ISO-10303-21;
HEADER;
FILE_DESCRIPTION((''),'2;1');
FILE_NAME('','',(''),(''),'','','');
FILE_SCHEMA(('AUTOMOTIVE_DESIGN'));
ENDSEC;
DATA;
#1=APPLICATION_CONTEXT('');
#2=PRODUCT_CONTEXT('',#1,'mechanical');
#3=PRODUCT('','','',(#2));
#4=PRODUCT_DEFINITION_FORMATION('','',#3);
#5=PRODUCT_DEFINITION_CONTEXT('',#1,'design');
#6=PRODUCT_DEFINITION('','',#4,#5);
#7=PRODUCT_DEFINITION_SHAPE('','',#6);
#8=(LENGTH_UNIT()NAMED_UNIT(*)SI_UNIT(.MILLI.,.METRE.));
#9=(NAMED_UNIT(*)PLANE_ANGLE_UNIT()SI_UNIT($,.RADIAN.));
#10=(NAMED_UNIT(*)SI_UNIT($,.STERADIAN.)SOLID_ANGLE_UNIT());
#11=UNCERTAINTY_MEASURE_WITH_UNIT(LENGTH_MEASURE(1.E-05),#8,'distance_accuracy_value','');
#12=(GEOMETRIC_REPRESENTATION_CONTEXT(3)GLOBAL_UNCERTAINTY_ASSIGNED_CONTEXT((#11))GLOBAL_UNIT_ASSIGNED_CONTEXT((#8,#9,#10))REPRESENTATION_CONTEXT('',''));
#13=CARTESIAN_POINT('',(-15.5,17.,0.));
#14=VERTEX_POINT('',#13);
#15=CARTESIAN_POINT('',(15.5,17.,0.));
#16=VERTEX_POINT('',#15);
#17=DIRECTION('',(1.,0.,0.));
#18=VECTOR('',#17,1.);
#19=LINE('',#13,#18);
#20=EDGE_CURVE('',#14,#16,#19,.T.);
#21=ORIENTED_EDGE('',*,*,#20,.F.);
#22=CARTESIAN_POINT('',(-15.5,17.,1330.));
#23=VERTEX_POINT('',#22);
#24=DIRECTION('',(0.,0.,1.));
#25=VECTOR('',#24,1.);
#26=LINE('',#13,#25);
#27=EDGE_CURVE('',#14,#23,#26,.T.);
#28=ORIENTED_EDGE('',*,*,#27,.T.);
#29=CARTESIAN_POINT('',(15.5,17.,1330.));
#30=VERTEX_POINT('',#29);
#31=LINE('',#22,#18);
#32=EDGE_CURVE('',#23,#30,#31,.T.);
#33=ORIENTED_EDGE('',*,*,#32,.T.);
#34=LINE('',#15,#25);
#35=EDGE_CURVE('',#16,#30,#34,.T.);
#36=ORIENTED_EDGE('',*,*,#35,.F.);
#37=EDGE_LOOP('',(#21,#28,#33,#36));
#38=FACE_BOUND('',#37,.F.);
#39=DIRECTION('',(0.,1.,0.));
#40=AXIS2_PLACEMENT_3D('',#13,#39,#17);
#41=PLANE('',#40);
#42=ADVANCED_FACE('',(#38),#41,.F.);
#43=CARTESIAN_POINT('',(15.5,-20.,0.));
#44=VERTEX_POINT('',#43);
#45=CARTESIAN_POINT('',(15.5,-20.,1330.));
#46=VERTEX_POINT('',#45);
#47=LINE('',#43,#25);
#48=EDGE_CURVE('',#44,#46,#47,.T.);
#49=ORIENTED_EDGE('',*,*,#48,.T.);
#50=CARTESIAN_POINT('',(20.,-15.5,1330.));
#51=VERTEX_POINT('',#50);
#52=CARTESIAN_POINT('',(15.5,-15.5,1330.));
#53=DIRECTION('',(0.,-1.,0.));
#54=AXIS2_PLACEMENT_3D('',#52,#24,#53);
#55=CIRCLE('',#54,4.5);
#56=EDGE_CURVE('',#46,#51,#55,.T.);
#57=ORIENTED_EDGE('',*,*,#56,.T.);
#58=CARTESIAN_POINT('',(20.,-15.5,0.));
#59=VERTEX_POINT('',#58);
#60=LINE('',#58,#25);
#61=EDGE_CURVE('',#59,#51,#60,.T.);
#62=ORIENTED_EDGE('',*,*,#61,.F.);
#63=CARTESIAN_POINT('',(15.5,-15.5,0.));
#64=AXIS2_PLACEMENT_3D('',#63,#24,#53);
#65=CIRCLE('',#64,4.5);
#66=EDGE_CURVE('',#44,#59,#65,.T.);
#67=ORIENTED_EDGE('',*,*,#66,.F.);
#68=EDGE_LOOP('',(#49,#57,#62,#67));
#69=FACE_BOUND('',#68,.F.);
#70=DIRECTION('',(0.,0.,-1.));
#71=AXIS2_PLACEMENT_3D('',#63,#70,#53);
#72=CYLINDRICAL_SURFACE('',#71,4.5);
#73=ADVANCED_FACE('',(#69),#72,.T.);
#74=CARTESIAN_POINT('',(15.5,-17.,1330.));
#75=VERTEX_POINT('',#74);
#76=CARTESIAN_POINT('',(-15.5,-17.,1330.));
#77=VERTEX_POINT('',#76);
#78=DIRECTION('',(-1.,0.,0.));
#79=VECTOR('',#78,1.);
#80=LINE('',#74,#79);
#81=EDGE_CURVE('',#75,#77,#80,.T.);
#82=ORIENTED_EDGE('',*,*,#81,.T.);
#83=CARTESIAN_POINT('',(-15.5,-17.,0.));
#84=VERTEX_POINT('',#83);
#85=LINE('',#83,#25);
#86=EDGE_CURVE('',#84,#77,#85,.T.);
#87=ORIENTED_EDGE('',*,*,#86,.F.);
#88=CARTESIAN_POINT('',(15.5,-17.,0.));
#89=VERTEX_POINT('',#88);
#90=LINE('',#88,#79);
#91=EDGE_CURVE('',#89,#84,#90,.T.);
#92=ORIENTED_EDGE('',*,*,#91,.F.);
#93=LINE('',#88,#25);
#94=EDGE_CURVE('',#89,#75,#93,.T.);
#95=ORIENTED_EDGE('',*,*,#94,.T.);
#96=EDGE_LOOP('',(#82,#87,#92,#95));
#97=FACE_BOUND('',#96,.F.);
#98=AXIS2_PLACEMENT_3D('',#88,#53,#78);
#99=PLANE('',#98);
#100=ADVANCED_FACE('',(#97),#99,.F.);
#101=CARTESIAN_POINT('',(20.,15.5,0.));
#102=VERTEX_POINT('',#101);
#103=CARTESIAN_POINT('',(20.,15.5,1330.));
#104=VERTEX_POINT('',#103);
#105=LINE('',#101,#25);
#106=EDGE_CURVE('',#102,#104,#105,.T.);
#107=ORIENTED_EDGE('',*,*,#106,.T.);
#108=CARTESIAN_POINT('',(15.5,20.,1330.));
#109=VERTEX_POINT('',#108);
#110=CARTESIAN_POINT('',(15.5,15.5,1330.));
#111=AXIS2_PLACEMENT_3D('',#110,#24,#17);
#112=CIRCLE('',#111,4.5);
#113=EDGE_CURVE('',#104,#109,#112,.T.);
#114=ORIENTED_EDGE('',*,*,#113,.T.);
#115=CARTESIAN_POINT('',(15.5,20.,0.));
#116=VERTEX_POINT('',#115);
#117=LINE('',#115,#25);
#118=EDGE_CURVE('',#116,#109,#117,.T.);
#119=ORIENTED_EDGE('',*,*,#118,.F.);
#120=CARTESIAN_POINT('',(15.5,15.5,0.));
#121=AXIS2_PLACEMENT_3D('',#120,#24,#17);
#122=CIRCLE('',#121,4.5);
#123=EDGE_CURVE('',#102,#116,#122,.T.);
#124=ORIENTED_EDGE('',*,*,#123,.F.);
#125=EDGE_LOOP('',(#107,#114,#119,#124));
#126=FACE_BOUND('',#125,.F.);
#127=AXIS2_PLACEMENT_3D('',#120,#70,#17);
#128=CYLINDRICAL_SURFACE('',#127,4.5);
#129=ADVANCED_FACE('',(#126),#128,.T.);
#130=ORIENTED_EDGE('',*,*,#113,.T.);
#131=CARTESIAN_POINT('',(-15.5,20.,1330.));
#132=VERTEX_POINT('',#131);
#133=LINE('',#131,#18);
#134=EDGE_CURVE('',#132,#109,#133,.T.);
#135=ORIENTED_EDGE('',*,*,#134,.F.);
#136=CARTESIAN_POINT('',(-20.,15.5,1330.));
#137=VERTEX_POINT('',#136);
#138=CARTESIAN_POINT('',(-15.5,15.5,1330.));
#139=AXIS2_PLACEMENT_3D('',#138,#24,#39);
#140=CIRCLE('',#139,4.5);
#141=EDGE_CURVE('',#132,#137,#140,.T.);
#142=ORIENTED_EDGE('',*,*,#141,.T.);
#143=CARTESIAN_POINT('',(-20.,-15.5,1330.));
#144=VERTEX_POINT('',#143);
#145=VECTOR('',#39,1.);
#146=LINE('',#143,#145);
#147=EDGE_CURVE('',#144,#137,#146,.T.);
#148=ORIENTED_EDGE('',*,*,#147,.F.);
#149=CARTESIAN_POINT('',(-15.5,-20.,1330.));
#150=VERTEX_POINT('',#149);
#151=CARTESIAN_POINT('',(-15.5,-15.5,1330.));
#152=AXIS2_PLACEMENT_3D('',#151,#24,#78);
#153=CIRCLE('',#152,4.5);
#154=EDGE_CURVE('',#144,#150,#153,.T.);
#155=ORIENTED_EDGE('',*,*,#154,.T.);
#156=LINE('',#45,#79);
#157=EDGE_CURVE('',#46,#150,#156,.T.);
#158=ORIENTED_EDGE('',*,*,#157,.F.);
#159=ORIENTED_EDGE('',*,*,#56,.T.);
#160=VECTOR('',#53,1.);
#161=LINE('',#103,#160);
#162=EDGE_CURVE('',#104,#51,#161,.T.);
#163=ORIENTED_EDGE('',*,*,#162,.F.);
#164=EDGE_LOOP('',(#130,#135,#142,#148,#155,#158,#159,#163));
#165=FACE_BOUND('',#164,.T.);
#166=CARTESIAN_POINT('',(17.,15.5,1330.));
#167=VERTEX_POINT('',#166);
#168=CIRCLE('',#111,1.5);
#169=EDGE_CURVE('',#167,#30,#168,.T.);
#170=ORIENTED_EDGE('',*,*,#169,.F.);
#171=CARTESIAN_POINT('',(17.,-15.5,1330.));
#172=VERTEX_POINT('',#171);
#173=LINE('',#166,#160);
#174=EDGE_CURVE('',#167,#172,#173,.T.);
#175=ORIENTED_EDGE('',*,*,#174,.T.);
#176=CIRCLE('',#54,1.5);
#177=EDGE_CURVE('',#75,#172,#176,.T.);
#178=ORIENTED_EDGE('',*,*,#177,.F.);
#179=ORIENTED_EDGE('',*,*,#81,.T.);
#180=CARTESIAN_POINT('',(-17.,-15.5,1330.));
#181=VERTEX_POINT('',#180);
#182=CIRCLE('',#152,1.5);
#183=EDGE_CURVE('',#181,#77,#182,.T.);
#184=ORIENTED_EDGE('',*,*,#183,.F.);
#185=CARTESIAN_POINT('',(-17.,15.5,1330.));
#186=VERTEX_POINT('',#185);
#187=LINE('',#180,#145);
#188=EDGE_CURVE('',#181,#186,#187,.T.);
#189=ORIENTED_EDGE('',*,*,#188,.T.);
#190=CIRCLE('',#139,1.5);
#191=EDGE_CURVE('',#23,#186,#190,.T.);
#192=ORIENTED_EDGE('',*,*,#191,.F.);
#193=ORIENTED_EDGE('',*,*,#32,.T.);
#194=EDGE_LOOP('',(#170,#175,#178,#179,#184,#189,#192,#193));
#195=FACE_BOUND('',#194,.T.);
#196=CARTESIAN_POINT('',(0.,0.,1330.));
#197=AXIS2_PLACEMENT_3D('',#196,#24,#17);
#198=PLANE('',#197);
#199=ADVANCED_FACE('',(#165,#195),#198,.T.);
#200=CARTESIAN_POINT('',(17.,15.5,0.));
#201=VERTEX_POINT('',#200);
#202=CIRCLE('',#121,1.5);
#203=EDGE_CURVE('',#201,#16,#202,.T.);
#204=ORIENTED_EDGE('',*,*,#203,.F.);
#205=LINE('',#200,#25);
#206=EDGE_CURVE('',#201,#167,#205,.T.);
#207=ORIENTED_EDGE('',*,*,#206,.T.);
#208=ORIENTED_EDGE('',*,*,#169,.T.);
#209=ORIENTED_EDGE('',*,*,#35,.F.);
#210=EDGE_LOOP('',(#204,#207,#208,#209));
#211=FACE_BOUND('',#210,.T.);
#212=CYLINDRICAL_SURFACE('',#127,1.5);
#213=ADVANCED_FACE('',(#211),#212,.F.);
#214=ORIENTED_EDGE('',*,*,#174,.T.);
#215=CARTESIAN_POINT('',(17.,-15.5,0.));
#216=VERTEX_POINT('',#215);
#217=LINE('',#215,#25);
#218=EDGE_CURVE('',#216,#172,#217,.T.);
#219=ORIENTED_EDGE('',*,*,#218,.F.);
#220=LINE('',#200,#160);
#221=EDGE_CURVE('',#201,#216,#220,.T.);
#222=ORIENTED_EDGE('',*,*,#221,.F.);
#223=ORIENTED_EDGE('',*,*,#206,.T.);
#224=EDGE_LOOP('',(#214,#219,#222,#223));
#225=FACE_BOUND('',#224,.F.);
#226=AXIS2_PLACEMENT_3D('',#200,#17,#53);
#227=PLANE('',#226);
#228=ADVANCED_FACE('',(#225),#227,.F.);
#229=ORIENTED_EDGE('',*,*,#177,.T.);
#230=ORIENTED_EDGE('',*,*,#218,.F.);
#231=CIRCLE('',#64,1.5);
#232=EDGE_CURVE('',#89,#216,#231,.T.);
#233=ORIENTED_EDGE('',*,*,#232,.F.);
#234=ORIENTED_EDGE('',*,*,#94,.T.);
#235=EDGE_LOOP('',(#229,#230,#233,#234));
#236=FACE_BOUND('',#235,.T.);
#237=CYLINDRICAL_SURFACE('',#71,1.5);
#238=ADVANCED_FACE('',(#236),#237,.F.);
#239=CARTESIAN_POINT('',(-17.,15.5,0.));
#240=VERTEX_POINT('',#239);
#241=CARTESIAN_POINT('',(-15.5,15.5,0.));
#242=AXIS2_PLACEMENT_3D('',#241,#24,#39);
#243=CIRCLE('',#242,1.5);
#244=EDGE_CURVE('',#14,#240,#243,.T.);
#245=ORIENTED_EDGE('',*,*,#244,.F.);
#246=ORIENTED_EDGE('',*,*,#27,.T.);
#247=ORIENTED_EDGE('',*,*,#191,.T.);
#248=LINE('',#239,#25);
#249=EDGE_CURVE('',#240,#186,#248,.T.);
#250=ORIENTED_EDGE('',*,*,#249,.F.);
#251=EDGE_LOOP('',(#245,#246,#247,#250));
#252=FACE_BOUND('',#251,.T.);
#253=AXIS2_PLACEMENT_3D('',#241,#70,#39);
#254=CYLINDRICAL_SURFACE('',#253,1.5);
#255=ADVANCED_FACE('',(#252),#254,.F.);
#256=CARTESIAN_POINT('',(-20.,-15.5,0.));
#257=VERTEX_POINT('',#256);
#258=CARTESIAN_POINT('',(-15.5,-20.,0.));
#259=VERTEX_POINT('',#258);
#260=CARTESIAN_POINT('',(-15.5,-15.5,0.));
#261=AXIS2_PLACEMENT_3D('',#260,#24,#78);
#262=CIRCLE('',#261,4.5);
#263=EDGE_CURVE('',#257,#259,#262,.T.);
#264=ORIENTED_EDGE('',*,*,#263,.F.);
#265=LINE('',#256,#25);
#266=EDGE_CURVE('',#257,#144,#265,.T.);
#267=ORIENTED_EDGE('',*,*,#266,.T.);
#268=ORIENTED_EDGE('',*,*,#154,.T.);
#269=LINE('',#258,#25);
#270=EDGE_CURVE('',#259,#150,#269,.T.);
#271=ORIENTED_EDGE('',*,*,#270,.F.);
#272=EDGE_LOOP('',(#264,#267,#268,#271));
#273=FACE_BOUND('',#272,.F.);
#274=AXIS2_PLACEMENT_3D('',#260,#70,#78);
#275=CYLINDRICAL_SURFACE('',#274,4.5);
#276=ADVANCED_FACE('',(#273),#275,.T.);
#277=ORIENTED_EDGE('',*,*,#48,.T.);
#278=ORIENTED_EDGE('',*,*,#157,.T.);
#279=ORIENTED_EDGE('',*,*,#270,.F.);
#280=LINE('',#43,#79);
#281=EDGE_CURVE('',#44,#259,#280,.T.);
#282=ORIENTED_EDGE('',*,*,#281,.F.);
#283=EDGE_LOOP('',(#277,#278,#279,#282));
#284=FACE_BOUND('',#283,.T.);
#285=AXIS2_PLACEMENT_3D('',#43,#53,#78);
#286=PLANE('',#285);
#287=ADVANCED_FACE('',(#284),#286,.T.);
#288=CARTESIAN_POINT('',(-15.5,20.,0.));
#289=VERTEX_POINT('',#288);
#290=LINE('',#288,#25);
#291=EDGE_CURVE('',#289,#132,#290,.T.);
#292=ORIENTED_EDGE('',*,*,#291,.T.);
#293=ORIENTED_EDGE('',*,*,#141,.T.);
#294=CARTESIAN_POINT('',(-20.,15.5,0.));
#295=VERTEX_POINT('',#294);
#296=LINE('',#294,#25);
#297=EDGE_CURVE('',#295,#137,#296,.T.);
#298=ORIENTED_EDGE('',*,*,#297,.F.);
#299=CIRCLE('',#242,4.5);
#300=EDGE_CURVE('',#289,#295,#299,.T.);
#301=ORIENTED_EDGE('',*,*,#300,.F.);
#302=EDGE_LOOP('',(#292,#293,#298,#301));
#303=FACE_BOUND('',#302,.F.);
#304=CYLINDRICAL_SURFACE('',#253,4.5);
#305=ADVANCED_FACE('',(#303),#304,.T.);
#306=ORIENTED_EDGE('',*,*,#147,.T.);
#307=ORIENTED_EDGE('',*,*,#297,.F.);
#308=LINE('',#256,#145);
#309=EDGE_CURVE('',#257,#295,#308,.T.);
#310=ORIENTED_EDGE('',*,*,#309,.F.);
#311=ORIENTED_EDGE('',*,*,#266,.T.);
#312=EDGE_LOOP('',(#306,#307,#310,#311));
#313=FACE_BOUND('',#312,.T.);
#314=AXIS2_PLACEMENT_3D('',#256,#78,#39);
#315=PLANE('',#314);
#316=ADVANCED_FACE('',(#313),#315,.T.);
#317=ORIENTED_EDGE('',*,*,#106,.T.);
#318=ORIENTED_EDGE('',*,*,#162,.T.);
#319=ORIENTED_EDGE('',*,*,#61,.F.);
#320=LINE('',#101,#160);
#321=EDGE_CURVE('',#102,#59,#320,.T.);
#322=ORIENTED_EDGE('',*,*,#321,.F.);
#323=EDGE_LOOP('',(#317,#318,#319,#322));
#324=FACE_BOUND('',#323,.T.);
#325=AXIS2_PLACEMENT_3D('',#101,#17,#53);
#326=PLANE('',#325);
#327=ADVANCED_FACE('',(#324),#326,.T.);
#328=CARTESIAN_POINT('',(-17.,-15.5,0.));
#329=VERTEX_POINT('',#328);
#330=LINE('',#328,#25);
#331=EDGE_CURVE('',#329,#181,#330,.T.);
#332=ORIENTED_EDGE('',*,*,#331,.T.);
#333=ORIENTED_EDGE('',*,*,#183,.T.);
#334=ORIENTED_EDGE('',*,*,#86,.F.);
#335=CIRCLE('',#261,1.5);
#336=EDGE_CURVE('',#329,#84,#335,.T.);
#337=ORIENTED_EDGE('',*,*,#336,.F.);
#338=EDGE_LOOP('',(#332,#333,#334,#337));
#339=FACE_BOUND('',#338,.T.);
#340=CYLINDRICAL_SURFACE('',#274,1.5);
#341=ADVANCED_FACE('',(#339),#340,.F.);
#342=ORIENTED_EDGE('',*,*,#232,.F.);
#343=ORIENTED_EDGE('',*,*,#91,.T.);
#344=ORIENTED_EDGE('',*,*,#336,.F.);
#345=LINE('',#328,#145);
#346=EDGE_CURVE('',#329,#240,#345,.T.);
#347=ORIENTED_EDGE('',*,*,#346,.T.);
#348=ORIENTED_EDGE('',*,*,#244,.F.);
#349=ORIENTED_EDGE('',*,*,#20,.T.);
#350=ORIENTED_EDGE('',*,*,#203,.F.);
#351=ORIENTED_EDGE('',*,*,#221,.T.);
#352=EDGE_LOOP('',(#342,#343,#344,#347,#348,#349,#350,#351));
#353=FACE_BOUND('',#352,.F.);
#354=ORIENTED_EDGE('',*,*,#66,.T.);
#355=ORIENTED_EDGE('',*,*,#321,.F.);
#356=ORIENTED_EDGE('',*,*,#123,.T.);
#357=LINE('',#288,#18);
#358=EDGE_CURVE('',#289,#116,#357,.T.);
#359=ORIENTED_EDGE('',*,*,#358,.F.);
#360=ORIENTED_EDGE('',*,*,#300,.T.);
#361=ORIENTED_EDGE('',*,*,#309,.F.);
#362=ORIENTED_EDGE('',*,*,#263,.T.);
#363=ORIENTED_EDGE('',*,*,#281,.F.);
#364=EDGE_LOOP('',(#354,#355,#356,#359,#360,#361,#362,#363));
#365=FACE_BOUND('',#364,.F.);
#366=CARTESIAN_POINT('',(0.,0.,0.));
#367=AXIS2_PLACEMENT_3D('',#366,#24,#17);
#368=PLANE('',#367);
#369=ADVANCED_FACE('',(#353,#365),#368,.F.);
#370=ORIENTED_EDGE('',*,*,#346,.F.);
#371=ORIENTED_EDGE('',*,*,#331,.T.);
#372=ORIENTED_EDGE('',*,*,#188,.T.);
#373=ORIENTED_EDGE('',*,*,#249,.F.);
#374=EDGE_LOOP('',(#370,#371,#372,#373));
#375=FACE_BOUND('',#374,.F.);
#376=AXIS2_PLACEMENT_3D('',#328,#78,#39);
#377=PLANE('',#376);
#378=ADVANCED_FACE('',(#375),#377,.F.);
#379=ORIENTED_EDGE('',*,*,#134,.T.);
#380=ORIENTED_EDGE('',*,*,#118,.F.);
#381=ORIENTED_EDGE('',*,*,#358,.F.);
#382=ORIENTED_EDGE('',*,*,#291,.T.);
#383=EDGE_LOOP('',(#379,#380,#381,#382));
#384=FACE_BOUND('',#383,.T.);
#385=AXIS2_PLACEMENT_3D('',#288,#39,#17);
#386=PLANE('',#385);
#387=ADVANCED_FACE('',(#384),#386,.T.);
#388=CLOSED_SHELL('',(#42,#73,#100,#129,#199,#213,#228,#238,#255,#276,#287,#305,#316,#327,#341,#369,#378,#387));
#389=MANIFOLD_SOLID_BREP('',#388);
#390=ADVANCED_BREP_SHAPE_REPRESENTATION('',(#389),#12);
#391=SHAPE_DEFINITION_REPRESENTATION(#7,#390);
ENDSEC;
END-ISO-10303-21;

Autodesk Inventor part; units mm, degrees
ref_plane "Start Plane" through (0, 0, 0) normal (0, 0, 1) x (1, 0, 0)
ref_plane "End Plane" through (0, 0, 1330) normal (0, 0, 1) x (1, 0, 0)
sketch "Sketch" plane through (0, 0, 0) normal (0, 0, 1) x (1, 0, 0)
  line L0 (-20, -15.5) -> (-20, 15.5)
  line L1 (-15.5, 20) -> (15.5, 20)
  line L2 (20, 15.5) -> (20, -15.5)
  line L3 (15.5, -20) -> (-15.5, -20)
  arc A0 (-20, -15.5) -> (-15.5, -20) centre (-15.5, -15.5) ccw
  arc A1 (-15.5, 20) -> (-20, 15.5) centre (-15.5, 15.5) ccw
  arc A2 (20, 15.5) -> (15.5, 20) centre (15.5, 15.5) ccw
  arc A3 (15.5, -20) -> (20, -15.5) centre (15.5, -15.5) ccw
  arc A4 (-15.5, 17) -> (-17, 15.5) centre (-15.5, 15.5) ccw
  line L4 (-15.5, 17) -> (15.5, 17)
  arc A5 (17, 15.5) -> (15.5, 17) centre (15.5, 15.5) ccw
  line L5 (17, 15.5) -> (17, -15.5)
  arc A6 (15.5, -17) -> (17, -15.5) centre (15.5, -15.5) ccw
  line L6 (15.5, -17) -> (-15.5, -17)
  arc A7 (-17, -15.5) -> (-15.5, -17) centre (-15.5, -15.5) ccw
  line L7 (-17, -15.5) -> (-17, 15.5)
  line L8 (0, 29.3048) -> (0, -29.3048) construction
  line L9 (-29.3048, 0) -> (29.3048, 0) construction
  dimension "d7" = 4.5
  dimension "d10" = 40
  dimension "d11" = 40
  dimension "d12" = 3
  dimension "d15" = 20
  dimension "d16" = 20
extrude "Body" add sketch "Sketch" along normal up to surface (1330 mm away) from surface at 0
sketch "Sketch3" plane through (0, 0, 0) normal (0, 0, 1) x (1, 0, 0)
  line L0 (0, 0) -> (10, 0)
ref_plane "Work Plane3" through (0, 0, 0) normal (0, -1, 0) x (1, 0, 0)
ref_plane "Work Plane4" through (2000, -15.5, 1330) normal (0, 0, 1) x (1, 0, 0)
split "Split1" plane through (2000, -15.5, 1330) removes the side toward (0, 0, 1)
sketch "Sketch4" plane through (0, 0, 0) normal (0, -1, 0) x (1, 0, 0)
  line L0 (-2, 0) -> (12, 0) projected
  line L1 (-2, 1330) -> (12, 1330) projected
  dimension "d18" = 1330
equation "\"d7\" = G_IR"
equation "\"d10\" = G_H"
equation "\"d11\" = G_W"
equation "\"d12\" = G_T"
equation "\"d15\" = 0.5 * d10"
equation "\"d16\" = 0.5 * d11"
equation "\"d3\" = G_L"
equation "\"G_W\" = 40"
equation "\"G_H\" = 40"
equation "\"G_T\" = 3"
equation "\"G_IR\" = 4.5"
equation "\"G_L\" = d18"
equation "\"G_OFFSET_START\" = 0"
properties part number "ISO 12633-2 - 40x40x3 - 1330" material "Steel, Mild"
